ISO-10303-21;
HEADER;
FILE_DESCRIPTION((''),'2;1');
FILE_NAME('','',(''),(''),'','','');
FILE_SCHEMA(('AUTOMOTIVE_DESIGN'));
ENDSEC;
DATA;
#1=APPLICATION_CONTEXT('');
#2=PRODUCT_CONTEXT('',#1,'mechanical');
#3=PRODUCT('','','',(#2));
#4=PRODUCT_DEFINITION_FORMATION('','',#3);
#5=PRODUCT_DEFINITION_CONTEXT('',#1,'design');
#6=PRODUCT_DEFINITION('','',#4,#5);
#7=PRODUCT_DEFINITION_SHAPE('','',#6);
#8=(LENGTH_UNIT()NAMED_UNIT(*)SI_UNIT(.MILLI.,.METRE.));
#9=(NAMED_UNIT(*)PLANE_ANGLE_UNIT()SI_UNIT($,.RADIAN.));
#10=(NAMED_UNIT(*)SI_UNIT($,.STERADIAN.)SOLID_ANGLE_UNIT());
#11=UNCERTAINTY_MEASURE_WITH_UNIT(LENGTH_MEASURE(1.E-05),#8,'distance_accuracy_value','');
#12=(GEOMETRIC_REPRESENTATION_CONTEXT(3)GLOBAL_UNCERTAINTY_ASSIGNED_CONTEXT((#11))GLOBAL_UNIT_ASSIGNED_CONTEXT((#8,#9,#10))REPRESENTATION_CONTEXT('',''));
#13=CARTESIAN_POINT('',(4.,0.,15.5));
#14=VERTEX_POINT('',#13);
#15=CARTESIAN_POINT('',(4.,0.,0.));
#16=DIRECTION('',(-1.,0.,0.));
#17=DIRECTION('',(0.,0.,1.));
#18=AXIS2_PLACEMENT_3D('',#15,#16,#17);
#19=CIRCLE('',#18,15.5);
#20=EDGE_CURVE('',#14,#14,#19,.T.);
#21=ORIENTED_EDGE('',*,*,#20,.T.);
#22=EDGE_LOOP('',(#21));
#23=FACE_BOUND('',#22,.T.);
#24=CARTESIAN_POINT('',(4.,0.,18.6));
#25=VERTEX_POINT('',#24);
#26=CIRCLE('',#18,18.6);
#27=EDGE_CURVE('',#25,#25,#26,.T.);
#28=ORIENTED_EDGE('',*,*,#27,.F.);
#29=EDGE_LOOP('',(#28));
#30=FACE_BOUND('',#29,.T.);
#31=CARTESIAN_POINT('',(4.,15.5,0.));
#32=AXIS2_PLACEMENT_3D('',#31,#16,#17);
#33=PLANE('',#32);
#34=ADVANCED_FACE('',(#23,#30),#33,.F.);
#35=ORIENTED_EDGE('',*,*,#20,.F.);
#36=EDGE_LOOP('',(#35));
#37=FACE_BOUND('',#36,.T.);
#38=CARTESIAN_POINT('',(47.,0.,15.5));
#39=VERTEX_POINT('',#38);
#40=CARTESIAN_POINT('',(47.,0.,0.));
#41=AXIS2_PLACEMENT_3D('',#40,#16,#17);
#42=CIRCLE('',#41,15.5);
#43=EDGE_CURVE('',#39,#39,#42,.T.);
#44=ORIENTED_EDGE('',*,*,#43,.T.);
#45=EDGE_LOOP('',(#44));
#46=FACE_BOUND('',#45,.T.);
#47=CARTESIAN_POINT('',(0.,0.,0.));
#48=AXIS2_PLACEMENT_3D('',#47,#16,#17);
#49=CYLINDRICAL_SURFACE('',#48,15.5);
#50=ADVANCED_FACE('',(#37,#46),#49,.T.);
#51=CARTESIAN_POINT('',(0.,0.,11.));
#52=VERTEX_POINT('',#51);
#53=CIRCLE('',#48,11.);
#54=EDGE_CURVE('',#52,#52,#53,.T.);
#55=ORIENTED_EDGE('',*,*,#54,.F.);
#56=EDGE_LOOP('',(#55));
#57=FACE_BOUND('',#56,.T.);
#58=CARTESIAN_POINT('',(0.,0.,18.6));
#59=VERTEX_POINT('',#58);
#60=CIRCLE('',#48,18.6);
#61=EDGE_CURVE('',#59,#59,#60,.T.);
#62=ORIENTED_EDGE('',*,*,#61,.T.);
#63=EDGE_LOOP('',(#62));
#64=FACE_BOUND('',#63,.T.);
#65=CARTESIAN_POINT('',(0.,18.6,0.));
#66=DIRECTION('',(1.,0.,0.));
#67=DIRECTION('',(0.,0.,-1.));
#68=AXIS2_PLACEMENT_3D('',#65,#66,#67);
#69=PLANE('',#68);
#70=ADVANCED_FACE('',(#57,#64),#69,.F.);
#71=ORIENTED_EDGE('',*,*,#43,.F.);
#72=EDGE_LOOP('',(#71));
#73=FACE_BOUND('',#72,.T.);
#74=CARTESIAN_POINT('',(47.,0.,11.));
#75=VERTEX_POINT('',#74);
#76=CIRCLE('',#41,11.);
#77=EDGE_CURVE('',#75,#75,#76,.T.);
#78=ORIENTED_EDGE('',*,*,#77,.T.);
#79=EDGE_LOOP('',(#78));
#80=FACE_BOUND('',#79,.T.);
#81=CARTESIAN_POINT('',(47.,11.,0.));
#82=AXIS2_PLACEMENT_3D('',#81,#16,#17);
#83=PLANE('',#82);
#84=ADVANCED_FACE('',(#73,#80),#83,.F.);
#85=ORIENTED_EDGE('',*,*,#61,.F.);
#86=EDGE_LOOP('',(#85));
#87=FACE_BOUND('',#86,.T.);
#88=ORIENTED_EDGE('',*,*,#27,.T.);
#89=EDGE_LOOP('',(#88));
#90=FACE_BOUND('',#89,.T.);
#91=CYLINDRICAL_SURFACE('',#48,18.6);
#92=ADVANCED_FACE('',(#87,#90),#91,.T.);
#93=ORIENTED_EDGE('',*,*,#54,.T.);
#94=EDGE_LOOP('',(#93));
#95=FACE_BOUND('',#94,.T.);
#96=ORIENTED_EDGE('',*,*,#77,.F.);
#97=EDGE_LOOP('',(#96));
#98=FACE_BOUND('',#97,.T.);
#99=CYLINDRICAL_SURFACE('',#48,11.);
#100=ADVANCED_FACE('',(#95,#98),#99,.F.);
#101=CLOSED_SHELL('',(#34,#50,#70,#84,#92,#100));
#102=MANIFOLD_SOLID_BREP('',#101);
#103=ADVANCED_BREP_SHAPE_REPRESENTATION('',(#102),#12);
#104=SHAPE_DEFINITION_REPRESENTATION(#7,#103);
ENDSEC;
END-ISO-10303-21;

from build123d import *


with BuildPart() as part:
    # Esquisse1 → Révolution1 (revolve)
    with BuildSketch(Plane.XY, mode=Mode.PRIVATE) as r_volution1_sk:
        Polygon((0, 18.6), (0, 11), (47, 11), (47, 15.5), (4, 15.5), (4, 18.6), align=None)
    revolve(r_volution1_sk.sketch.rotate(Axis((0, 0, 0), (1, 0, 0)), 90), axis=Axis((0, 0, 0), (1, 0, 0)))


solid = part.part
